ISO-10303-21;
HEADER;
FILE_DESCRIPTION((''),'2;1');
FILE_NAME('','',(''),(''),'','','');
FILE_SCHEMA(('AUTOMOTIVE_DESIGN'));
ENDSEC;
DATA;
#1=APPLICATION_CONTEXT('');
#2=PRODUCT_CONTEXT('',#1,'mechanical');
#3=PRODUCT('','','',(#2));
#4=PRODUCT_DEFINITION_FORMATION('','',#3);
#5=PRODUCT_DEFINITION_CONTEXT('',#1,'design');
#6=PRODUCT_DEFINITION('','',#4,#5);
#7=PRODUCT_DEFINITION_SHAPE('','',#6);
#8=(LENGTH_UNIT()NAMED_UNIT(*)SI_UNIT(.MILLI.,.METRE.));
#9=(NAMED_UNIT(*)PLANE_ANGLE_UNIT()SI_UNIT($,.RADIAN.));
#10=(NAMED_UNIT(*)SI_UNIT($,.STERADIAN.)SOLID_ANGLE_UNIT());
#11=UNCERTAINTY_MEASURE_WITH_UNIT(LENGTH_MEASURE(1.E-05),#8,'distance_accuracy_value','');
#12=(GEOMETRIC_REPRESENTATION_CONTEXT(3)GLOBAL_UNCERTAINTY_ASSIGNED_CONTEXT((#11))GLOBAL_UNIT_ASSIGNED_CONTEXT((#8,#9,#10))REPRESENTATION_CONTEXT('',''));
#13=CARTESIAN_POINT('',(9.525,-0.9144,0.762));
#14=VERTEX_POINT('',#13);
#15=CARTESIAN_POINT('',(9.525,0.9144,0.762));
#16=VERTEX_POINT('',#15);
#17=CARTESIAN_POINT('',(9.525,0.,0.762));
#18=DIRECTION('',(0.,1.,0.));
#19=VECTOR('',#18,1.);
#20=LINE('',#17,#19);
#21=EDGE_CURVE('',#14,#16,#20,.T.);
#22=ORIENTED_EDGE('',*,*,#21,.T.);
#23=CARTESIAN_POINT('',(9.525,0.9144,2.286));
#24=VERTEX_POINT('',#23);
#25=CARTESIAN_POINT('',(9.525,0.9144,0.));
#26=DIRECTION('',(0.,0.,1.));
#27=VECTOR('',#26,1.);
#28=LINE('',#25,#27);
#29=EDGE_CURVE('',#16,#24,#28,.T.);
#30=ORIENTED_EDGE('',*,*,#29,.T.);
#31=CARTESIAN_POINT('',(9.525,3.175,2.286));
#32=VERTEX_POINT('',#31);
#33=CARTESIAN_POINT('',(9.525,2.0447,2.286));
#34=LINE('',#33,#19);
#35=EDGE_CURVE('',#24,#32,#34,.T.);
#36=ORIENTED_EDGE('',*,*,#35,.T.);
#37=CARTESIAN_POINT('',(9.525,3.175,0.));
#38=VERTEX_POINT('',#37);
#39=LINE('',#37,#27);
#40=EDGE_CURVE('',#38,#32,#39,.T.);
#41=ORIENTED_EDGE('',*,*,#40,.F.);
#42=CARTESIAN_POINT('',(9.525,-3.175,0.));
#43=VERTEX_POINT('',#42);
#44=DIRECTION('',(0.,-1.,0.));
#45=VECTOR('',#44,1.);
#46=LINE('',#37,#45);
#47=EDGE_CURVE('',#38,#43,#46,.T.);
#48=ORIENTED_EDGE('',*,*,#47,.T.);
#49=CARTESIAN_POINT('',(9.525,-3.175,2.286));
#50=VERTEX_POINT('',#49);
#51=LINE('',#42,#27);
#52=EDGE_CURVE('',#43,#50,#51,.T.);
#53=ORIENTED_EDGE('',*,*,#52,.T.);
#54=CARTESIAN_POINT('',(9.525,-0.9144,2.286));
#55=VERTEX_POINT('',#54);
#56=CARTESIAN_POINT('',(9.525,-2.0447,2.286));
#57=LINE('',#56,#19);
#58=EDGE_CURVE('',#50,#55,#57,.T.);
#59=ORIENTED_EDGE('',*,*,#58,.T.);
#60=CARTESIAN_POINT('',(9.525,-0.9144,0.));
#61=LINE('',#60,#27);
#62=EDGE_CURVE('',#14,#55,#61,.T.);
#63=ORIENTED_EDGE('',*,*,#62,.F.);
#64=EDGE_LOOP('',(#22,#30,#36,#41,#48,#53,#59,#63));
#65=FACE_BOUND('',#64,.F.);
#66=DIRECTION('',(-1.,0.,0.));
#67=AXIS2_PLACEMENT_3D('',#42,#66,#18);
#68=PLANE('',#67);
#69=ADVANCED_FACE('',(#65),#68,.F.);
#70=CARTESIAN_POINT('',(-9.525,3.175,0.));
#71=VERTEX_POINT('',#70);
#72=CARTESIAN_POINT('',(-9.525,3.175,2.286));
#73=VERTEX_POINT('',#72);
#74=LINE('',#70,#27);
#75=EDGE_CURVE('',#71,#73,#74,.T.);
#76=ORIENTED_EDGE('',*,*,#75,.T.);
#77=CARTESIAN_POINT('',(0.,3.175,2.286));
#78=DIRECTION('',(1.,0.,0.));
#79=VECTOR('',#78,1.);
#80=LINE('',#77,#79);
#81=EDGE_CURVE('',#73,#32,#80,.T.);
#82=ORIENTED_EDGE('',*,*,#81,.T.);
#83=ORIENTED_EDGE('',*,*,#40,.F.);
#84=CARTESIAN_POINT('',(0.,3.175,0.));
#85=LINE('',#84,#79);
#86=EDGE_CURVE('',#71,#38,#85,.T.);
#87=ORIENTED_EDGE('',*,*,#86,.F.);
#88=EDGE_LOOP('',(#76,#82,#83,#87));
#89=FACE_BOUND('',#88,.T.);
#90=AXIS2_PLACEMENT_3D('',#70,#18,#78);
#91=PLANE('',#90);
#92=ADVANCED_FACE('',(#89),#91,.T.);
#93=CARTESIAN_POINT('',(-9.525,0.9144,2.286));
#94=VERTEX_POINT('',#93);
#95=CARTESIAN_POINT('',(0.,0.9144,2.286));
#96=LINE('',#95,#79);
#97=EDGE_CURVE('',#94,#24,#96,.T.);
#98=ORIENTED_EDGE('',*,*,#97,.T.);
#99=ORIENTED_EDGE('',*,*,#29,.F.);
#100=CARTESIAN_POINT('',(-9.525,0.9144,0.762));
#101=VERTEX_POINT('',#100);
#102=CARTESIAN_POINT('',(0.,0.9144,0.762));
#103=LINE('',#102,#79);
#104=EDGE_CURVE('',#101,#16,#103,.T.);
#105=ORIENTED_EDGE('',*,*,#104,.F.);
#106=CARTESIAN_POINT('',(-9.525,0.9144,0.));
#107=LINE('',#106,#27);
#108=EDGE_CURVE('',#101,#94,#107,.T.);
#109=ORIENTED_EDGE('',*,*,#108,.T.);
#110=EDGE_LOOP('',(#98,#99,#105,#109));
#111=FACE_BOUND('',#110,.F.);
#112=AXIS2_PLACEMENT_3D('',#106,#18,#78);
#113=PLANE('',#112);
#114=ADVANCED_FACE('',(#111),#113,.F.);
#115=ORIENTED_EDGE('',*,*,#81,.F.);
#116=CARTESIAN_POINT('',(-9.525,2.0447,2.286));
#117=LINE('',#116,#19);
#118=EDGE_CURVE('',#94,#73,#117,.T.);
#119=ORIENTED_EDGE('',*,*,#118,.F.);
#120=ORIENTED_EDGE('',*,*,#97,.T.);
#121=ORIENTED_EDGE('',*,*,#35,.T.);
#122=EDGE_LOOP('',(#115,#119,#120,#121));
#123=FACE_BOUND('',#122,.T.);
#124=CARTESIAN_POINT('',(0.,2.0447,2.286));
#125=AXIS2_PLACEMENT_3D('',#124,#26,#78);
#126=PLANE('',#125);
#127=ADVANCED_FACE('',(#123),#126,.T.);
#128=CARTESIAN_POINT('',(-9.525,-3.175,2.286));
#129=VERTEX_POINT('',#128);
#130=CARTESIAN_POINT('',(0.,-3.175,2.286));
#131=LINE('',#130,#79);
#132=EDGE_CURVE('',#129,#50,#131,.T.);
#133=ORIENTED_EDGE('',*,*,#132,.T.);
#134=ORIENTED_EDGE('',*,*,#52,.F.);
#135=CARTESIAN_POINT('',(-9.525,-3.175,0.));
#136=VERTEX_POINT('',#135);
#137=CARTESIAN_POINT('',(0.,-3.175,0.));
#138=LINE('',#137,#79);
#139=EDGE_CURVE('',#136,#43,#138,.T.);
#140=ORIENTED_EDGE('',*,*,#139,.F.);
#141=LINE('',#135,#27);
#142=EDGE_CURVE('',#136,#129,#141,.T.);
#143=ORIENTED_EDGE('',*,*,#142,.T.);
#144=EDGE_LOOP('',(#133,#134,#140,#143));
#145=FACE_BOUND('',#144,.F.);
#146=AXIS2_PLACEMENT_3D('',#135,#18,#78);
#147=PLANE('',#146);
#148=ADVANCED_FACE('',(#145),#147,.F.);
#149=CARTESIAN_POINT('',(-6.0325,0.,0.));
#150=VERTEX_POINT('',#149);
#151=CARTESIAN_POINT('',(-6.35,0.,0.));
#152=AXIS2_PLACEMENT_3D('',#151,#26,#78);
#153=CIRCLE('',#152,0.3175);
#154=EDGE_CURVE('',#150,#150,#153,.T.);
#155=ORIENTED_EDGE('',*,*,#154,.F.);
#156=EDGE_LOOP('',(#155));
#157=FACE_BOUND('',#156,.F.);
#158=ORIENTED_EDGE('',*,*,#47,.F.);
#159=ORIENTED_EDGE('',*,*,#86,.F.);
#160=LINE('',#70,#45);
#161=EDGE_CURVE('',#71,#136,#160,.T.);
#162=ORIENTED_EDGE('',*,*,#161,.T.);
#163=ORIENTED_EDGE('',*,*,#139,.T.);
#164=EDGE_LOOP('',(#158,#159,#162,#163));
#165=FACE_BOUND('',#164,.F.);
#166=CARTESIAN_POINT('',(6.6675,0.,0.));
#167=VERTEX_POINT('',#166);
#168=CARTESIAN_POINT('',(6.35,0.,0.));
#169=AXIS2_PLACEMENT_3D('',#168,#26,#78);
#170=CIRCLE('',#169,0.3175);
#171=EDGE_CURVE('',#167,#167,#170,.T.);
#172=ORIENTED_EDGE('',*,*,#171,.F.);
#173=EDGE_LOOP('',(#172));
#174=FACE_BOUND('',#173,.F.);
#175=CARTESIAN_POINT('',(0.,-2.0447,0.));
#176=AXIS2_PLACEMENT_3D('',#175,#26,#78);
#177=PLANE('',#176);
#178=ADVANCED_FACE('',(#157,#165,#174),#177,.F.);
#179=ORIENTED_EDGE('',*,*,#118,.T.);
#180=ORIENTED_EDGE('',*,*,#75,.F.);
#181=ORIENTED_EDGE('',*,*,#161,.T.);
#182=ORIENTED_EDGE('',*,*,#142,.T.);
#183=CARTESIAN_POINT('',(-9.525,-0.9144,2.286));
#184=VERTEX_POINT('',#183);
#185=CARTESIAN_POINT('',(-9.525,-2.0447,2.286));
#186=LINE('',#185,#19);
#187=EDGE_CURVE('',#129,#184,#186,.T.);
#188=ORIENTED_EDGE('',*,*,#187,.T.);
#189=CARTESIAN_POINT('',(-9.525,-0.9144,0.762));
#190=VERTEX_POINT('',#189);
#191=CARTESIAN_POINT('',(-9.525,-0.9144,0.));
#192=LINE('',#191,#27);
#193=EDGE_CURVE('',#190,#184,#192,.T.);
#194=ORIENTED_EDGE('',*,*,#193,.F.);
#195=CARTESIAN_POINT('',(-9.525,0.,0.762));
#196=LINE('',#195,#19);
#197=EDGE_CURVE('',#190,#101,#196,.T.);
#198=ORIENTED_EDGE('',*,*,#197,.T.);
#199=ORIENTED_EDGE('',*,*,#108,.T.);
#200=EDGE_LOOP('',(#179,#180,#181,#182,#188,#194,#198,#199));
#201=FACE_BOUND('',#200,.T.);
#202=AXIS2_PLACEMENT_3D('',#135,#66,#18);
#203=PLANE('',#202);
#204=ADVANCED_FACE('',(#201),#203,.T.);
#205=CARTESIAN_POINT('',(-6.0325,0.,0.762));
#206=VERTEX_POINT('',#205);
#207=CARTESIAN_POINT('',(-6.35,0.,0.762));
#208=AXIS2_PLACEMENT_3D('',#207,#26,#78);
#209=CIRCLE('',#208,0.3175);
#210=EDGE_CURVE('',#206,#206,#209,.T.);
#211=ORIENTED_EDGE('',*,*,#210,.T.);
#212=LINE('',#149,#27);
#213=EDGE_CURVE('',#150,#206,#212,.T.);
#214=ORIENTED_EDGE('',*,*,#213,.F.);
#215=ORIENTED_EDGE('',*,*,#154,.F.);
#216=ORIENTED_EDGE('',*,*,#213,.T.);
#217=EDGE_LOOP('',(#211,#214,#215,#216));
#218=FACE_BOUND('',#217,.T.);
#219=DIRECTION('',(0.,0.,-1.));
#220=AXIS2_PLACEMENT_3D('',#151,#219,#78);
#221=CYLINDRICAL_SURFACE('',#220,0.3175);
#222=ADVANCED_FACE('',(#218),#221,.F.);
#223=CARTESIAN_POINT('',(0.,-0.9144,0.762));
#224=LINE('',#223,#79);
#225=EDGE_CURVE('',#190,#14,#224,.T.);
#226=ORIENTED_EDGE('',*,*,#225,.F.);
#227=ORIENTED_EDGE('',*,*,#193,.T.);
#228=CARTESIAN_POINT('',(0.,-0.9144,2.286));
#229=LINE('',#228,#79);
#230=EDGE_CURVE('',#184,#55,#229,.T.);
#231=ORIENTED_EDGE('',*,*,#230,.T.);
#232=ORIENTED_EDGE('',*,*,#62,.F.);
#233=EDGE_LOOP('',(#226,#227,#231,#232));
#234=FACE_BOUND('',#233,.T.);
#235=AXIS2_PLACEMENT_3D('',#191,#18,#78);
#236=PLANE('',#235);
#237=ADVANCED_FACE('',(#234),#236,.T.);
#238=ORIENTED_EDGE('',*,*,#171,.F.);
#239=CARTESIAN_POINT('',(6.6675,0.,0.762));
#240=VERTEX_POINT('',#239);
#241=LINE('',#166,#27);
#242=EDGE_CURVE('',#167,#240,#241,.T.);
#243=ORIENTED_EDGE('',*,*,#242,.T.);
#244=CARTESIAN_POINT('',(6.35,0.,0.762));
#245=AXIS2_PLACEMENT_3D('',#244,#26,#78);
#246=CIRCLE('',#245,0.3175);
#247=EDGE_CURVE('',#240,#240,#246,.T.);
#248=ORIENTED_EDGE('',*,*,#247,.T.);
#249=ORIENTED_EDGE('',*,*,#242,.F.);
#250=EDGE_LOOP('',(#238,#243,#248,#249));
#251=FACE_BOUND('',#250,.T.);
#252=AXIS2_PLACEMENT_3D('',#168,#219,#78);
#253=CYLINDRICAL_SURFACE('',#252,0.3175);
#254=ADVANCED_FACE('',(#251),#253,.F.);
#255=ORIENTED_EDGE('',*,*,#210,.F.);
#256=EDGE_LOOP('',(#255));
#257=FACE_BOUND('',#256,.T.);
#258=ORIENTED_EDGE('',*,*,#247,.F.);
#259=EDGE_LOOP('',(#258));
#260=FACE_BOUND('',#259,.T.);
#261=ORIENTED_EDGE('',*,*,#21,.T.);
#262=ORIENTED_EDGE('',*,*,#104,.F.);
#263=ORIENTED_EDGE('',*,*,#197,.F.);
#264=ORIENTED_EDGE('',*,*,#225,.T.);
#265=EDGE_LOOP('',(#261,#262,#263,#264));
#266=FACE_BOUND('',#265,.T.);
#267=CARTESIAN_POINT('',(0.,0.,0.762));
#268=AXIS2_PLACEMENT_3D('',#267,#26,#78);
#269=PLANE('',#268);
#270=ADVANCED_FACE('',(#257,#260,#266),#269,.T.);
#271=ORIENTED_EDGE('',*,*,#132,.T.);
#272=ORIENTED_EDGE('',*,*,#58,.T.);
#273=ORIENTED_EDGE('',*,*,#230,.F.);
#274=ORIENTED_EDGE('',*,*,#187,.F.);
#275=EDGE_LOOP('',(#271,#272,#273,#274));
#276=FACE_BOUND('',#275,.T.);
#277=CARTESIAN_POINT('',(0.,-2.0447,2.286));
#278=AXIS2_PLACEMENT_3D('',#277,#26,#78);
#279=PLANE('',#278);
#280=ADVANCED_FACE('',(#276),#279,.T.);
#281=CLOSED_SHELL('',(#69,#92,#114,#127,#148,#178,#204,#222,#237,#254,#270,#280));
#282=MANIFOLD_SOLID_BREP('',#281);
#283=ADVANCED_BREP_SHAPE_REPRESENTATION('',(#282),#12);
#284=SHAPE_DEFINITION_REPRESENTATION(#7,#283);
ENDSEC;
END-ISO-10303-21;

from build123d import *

# Parameters (mm, degrees)
F0_W     = 19.05
F0_H     = 1.8288
F0_R     = 0.3175
F1_DEPTH = 0.762
F0_H_2   = 2.2606
F2_DEPTH = 2.286


with BuildPart() as f1:
    # F0 (on Top) → F1 (new body)
    with BuildSketch(Plane.XY):
        Rectangle(F0_W, F0_H)
        with Locations((-6.35, 0)):
            Circle(F0_R, mode=Mode.SUBTRACT)
        with Locations((6.35, 0)):
            Circle(F0_R, mode=Mode.SUBTRACT)
    extrude(amount=F1_DEPTH)

    # F0 (on Top) → F2 (join)
    with BuildSketch(Plane.XY):
        with Locations((0, -2.0447)):
            Rectangle(F0_W, F0_H_2)
        with Locations((0, 2.0447)):
            Rectangle(F0_W, F0_H_2)
    extrude(amount=F2_DEPTH)


solid = f1.part
